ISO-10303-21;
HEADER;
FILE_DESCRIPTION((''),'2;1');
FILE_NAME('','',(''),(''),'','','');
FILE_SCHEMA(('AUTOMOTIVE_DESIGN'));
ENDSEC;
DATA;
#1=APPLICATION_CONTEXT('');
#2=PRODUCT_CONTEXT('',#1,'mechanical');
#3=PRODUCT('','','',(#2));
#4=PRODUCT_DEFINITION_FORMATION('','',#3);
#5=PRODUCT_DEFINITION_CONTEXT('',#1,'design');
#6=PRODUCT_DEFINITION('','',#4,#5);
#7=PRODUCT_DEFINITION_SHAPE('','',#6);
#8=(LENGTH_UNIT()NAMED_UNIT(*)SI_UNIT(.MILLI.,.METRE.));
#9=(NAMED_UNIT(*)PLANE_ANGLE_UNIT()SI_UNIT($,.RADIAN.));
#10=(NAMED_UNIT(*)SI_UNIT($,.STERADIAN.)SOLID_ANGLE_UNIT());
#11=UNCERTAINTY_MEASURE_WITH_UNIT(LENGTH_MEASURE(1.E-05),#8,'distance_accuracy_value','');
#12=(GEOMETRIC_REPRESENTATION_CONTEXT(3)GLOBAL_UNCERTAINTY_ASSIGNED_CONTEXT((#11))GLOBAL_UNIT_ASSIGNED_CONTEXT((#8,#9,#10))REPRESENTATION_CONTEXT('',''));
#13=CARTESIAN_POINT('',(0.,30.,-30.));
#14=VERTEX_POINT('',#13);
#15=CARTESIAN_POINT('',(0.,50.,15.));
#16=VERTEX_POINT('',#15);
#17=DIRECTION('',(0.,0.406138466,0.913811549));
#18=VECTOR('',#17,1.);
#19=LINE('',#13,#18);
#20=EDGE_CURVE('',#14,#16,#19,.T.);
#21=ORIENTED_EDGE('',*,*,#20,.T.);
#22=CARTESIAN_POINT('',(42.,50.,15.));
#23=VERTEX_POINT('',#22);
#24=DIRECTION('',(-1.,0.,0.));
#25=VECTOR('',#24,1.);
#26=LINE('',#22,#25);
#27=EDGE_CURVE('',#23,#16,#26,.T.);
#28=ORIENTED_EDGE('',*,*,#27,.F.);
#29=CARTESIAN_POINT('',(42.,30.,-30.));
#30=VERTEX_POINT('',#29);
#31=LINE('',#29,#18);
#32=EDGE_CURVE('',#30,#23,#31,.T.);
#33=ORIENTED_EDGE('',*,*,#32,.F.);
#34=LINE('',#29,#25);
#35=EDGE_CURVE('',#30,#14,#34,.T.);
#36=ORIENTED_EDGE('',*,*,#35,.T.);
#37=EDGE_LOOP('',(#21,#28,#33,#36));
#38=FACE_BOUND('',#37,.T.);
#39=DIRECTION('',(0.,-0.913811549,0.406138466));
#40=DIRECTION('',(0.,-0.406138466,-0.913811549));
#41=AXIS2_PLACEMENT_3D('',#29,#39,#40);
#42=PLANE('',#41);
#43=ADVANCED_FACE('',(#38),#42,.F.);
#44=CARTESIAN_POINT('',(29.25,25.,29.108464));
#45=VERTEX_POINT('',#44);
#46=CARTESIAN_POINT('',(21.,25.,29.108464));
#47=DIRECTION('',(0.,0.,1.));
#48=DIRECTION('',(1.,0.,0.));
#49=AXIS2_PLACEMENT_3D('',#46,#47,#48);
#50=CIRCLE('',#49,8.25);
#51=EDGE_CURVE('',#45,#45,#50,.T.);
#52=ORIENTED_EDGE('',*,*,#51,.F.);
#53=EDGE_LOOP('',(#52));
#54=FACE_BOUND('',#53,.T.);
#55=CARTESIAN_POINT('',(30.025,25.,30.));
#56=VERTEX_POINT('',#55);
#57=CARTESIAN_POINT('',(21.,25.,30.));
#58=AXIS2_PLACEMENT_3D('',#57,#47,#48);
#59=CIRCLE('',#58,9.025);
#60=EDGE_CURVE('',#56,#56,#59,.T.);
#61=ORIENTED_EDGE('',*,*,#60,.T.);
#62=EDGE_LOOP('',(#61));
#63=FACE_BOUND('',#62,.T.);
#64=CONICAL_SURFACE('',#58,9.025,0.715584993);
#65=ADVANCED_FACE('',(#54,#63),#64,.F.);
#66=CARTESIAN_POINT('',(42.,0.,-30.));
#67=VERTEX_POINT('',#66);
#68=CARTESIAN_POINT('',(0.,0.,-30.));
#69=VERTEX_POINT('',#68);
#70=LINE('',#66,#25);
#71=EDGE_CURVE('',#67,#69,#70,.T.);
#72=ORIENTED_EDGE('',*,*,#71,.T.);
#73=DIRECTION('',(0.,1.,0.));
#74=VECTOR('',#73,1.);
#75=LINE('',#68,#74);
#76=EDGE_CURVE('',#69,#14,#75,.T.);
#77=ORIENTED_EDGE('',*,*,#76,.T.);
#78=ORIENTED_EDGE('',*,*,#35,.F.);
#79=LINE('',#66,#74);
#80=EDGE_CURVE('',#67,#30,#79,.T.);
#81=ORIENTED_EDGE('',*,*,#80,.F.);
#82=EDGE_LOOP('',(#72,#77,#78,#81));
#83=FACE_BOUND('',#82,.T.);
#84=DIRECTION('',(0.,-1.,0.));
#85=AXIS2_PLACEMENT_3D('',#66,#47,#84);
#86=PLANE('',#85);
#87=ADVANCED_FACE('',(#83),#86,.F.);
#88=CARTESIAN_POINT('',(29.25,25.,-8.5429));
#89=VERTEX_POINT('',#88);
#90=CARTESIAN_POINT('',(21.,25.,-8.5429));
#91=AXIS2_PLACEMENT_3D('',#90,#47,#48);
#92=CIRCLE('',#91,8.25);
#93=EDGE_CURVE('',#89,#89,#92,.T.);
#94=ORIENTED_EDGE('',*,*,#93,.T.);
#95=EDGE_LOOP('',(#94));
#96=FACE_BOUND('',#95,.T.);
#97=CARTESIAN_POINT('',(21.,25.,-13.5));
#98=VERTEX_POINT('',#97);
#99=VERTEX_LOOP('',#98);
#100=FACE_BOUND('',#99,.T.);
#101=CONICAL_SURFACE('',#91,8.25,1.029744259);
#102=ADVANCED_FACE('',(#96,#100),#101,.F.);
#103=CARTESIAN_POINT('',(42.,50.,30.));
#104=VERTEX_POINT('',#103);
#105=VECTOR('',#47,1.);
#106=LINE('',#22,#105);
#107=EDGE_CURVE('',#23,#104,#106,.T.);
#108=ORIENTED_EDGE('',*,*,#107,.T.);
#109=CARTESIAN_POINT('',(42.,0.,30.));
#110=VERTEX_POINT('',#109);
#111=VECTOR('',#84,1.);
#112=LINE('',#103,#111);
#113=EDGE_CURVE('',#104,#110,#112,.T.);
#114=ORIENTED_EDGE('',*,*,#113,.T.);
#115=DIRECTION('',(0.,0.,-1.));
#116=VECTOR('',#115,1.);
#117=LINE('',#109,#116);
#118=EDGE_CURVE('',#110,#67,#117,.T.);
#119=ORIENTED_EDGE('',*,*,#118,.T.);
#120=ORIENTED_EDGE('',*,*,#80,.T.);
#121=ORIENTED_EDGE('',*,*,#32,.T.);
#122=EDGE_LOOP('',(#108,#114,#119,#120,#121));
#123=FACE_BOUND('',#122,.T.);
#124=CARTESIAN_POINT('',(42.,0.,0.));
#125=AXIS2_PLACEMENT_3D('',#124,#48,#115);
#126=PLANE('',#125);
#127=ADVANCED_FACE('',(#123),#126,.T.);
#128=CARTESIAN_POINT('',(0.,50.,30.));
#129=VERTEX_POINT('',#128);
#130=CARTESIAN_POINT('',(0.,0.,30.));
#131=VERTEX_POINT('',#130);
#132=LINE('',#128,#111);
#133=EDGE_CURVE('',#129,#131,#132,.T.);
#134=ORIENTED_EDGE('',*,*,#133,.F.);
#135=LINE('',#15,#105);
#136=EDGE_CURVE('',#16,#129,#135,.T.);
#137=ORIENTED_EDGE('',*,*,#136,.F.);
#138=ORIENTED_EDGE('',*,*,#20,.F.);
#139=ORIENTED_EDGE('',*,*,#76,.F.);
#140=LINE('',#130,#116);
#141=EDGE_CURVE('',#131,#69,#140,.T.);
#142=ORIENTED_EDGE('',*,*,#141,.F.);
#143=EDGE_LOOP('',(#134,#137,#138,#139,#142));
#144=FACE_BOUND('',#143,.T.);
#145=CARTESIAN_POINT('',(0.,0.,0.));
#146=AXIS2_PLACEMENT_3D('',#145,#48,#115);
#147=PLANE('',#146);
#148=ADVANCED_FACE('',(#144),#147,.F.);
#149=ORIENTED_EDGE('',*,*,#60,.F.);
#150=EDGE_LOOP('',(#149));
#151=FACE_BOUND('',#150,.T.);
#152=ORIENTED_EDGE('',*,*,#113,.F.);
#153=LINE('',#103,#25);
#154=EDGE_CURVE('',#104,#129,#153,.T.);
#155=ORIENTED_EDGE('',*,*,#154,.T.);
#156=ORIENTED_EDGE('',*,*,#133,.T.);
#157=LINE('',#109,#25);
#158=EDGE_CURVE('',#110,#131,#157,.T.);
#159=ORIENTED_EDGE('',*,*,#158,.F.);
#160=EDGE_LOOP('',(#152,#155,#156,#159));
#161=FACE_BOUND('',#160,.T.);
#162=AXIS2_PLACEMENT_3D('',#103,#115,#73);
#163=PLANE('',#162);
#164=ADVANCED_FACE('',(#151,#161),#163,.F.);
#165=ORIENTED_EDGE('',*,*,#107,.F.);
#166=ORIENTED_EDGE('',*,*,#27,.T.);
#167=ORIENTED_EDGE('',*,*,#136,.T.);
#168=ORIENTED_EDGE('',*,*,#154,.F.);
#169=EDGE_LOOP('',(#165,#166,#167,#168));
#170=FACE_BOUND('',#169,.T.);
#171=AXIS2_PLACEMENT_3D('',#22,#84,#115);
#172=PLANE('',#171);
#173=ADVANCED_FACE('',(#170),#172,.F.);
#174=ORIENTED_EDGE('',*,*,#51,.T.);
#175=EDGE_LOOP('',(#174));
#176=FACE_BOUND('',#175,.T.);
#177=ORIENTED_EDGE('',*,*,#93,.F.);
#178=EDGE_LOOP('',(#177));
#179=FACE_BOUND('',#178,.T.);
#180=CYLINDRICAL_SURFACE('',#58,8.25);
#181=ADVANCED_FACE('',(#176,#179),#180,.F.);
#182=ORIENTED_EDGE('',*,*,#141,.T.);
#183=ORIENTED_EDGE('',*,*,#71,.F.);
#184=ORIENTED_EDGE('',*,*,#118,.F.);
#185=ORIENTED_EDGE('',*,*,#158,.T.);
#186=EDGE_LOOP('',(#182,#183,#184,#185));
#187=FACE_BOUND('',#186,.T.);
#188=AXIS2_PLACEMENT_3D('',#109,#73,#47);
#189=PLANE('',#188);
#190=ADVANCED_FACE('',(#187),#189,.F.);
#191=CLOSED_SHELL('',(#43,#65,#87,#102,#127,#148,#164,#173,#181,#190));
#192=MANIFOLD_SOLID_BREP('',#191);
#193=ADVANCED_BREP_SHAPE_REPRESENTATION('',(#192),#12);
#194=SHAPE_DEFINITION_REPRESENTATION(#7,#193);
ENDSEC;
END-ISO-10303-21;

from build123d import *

# Parameters (mm, degrees)
ESTRUSIONE_ESTRUSIONE1_DEPTH         = 42
FORO_FILETTATO_M18X1_5_1_D           = 16.5
FORO_FILETTATO_M18X1_5_1_DEPTH       = 38.542899893
FORO_FILETTATO_M18X1_5_1_CSINK_D     = 18.05
FORO_FILETTATO_M18X1_5_1_CSINK_ANGLE = 82
FORO_FILETTATO_M18X1_5_1_TIP         = 4.957100107


with BuildPart() as part:
    # Schizzo1 → Estrusione-Estrusione1 (new body)
    with BuildSketch(Plane(origin=(0, 0, 0), x_dir=(0, 0, -1), z_dir=(1, 0, 0))):
        Polygon((-30, 50), (-30, 0), (30, 0), (30, 30), (-15, 50), align=None)
    extrude(amount=ESTRUSIONE_ESTRUSIONE1_DEPTH)

    # Foro filettato M18x1.5-1
    with Locations(Plane.XY.offset(30)):
        with Locations((21, 25)):
            CounterSinkHole(FORO_FILETTATO_M18X1_5_1_D / 2, FORO_FILETTATO_M18X1_5_1_CSINK_D / 2, depth=FORO_FILETTATO_M18X1_5_1_DEPTH, counter_sink_angle=FORO_FILETTATO_M18X1_5_1_CSINK_ANGLE)
            with Locations((0, 0, -(FORO_FILETTATO_M18X1_5_1_DEPTH + FORO_FILETTATO_M18X1_5_1_TIP / 2))):  # 118° drill point
                Cone(0, FORO_FILETTATO_M18X1_5_1_D / 2, FORO_FILETTATO_M18X1_5_1_TIP, mode=Mode.SUBTRACT)


solid = part.part
